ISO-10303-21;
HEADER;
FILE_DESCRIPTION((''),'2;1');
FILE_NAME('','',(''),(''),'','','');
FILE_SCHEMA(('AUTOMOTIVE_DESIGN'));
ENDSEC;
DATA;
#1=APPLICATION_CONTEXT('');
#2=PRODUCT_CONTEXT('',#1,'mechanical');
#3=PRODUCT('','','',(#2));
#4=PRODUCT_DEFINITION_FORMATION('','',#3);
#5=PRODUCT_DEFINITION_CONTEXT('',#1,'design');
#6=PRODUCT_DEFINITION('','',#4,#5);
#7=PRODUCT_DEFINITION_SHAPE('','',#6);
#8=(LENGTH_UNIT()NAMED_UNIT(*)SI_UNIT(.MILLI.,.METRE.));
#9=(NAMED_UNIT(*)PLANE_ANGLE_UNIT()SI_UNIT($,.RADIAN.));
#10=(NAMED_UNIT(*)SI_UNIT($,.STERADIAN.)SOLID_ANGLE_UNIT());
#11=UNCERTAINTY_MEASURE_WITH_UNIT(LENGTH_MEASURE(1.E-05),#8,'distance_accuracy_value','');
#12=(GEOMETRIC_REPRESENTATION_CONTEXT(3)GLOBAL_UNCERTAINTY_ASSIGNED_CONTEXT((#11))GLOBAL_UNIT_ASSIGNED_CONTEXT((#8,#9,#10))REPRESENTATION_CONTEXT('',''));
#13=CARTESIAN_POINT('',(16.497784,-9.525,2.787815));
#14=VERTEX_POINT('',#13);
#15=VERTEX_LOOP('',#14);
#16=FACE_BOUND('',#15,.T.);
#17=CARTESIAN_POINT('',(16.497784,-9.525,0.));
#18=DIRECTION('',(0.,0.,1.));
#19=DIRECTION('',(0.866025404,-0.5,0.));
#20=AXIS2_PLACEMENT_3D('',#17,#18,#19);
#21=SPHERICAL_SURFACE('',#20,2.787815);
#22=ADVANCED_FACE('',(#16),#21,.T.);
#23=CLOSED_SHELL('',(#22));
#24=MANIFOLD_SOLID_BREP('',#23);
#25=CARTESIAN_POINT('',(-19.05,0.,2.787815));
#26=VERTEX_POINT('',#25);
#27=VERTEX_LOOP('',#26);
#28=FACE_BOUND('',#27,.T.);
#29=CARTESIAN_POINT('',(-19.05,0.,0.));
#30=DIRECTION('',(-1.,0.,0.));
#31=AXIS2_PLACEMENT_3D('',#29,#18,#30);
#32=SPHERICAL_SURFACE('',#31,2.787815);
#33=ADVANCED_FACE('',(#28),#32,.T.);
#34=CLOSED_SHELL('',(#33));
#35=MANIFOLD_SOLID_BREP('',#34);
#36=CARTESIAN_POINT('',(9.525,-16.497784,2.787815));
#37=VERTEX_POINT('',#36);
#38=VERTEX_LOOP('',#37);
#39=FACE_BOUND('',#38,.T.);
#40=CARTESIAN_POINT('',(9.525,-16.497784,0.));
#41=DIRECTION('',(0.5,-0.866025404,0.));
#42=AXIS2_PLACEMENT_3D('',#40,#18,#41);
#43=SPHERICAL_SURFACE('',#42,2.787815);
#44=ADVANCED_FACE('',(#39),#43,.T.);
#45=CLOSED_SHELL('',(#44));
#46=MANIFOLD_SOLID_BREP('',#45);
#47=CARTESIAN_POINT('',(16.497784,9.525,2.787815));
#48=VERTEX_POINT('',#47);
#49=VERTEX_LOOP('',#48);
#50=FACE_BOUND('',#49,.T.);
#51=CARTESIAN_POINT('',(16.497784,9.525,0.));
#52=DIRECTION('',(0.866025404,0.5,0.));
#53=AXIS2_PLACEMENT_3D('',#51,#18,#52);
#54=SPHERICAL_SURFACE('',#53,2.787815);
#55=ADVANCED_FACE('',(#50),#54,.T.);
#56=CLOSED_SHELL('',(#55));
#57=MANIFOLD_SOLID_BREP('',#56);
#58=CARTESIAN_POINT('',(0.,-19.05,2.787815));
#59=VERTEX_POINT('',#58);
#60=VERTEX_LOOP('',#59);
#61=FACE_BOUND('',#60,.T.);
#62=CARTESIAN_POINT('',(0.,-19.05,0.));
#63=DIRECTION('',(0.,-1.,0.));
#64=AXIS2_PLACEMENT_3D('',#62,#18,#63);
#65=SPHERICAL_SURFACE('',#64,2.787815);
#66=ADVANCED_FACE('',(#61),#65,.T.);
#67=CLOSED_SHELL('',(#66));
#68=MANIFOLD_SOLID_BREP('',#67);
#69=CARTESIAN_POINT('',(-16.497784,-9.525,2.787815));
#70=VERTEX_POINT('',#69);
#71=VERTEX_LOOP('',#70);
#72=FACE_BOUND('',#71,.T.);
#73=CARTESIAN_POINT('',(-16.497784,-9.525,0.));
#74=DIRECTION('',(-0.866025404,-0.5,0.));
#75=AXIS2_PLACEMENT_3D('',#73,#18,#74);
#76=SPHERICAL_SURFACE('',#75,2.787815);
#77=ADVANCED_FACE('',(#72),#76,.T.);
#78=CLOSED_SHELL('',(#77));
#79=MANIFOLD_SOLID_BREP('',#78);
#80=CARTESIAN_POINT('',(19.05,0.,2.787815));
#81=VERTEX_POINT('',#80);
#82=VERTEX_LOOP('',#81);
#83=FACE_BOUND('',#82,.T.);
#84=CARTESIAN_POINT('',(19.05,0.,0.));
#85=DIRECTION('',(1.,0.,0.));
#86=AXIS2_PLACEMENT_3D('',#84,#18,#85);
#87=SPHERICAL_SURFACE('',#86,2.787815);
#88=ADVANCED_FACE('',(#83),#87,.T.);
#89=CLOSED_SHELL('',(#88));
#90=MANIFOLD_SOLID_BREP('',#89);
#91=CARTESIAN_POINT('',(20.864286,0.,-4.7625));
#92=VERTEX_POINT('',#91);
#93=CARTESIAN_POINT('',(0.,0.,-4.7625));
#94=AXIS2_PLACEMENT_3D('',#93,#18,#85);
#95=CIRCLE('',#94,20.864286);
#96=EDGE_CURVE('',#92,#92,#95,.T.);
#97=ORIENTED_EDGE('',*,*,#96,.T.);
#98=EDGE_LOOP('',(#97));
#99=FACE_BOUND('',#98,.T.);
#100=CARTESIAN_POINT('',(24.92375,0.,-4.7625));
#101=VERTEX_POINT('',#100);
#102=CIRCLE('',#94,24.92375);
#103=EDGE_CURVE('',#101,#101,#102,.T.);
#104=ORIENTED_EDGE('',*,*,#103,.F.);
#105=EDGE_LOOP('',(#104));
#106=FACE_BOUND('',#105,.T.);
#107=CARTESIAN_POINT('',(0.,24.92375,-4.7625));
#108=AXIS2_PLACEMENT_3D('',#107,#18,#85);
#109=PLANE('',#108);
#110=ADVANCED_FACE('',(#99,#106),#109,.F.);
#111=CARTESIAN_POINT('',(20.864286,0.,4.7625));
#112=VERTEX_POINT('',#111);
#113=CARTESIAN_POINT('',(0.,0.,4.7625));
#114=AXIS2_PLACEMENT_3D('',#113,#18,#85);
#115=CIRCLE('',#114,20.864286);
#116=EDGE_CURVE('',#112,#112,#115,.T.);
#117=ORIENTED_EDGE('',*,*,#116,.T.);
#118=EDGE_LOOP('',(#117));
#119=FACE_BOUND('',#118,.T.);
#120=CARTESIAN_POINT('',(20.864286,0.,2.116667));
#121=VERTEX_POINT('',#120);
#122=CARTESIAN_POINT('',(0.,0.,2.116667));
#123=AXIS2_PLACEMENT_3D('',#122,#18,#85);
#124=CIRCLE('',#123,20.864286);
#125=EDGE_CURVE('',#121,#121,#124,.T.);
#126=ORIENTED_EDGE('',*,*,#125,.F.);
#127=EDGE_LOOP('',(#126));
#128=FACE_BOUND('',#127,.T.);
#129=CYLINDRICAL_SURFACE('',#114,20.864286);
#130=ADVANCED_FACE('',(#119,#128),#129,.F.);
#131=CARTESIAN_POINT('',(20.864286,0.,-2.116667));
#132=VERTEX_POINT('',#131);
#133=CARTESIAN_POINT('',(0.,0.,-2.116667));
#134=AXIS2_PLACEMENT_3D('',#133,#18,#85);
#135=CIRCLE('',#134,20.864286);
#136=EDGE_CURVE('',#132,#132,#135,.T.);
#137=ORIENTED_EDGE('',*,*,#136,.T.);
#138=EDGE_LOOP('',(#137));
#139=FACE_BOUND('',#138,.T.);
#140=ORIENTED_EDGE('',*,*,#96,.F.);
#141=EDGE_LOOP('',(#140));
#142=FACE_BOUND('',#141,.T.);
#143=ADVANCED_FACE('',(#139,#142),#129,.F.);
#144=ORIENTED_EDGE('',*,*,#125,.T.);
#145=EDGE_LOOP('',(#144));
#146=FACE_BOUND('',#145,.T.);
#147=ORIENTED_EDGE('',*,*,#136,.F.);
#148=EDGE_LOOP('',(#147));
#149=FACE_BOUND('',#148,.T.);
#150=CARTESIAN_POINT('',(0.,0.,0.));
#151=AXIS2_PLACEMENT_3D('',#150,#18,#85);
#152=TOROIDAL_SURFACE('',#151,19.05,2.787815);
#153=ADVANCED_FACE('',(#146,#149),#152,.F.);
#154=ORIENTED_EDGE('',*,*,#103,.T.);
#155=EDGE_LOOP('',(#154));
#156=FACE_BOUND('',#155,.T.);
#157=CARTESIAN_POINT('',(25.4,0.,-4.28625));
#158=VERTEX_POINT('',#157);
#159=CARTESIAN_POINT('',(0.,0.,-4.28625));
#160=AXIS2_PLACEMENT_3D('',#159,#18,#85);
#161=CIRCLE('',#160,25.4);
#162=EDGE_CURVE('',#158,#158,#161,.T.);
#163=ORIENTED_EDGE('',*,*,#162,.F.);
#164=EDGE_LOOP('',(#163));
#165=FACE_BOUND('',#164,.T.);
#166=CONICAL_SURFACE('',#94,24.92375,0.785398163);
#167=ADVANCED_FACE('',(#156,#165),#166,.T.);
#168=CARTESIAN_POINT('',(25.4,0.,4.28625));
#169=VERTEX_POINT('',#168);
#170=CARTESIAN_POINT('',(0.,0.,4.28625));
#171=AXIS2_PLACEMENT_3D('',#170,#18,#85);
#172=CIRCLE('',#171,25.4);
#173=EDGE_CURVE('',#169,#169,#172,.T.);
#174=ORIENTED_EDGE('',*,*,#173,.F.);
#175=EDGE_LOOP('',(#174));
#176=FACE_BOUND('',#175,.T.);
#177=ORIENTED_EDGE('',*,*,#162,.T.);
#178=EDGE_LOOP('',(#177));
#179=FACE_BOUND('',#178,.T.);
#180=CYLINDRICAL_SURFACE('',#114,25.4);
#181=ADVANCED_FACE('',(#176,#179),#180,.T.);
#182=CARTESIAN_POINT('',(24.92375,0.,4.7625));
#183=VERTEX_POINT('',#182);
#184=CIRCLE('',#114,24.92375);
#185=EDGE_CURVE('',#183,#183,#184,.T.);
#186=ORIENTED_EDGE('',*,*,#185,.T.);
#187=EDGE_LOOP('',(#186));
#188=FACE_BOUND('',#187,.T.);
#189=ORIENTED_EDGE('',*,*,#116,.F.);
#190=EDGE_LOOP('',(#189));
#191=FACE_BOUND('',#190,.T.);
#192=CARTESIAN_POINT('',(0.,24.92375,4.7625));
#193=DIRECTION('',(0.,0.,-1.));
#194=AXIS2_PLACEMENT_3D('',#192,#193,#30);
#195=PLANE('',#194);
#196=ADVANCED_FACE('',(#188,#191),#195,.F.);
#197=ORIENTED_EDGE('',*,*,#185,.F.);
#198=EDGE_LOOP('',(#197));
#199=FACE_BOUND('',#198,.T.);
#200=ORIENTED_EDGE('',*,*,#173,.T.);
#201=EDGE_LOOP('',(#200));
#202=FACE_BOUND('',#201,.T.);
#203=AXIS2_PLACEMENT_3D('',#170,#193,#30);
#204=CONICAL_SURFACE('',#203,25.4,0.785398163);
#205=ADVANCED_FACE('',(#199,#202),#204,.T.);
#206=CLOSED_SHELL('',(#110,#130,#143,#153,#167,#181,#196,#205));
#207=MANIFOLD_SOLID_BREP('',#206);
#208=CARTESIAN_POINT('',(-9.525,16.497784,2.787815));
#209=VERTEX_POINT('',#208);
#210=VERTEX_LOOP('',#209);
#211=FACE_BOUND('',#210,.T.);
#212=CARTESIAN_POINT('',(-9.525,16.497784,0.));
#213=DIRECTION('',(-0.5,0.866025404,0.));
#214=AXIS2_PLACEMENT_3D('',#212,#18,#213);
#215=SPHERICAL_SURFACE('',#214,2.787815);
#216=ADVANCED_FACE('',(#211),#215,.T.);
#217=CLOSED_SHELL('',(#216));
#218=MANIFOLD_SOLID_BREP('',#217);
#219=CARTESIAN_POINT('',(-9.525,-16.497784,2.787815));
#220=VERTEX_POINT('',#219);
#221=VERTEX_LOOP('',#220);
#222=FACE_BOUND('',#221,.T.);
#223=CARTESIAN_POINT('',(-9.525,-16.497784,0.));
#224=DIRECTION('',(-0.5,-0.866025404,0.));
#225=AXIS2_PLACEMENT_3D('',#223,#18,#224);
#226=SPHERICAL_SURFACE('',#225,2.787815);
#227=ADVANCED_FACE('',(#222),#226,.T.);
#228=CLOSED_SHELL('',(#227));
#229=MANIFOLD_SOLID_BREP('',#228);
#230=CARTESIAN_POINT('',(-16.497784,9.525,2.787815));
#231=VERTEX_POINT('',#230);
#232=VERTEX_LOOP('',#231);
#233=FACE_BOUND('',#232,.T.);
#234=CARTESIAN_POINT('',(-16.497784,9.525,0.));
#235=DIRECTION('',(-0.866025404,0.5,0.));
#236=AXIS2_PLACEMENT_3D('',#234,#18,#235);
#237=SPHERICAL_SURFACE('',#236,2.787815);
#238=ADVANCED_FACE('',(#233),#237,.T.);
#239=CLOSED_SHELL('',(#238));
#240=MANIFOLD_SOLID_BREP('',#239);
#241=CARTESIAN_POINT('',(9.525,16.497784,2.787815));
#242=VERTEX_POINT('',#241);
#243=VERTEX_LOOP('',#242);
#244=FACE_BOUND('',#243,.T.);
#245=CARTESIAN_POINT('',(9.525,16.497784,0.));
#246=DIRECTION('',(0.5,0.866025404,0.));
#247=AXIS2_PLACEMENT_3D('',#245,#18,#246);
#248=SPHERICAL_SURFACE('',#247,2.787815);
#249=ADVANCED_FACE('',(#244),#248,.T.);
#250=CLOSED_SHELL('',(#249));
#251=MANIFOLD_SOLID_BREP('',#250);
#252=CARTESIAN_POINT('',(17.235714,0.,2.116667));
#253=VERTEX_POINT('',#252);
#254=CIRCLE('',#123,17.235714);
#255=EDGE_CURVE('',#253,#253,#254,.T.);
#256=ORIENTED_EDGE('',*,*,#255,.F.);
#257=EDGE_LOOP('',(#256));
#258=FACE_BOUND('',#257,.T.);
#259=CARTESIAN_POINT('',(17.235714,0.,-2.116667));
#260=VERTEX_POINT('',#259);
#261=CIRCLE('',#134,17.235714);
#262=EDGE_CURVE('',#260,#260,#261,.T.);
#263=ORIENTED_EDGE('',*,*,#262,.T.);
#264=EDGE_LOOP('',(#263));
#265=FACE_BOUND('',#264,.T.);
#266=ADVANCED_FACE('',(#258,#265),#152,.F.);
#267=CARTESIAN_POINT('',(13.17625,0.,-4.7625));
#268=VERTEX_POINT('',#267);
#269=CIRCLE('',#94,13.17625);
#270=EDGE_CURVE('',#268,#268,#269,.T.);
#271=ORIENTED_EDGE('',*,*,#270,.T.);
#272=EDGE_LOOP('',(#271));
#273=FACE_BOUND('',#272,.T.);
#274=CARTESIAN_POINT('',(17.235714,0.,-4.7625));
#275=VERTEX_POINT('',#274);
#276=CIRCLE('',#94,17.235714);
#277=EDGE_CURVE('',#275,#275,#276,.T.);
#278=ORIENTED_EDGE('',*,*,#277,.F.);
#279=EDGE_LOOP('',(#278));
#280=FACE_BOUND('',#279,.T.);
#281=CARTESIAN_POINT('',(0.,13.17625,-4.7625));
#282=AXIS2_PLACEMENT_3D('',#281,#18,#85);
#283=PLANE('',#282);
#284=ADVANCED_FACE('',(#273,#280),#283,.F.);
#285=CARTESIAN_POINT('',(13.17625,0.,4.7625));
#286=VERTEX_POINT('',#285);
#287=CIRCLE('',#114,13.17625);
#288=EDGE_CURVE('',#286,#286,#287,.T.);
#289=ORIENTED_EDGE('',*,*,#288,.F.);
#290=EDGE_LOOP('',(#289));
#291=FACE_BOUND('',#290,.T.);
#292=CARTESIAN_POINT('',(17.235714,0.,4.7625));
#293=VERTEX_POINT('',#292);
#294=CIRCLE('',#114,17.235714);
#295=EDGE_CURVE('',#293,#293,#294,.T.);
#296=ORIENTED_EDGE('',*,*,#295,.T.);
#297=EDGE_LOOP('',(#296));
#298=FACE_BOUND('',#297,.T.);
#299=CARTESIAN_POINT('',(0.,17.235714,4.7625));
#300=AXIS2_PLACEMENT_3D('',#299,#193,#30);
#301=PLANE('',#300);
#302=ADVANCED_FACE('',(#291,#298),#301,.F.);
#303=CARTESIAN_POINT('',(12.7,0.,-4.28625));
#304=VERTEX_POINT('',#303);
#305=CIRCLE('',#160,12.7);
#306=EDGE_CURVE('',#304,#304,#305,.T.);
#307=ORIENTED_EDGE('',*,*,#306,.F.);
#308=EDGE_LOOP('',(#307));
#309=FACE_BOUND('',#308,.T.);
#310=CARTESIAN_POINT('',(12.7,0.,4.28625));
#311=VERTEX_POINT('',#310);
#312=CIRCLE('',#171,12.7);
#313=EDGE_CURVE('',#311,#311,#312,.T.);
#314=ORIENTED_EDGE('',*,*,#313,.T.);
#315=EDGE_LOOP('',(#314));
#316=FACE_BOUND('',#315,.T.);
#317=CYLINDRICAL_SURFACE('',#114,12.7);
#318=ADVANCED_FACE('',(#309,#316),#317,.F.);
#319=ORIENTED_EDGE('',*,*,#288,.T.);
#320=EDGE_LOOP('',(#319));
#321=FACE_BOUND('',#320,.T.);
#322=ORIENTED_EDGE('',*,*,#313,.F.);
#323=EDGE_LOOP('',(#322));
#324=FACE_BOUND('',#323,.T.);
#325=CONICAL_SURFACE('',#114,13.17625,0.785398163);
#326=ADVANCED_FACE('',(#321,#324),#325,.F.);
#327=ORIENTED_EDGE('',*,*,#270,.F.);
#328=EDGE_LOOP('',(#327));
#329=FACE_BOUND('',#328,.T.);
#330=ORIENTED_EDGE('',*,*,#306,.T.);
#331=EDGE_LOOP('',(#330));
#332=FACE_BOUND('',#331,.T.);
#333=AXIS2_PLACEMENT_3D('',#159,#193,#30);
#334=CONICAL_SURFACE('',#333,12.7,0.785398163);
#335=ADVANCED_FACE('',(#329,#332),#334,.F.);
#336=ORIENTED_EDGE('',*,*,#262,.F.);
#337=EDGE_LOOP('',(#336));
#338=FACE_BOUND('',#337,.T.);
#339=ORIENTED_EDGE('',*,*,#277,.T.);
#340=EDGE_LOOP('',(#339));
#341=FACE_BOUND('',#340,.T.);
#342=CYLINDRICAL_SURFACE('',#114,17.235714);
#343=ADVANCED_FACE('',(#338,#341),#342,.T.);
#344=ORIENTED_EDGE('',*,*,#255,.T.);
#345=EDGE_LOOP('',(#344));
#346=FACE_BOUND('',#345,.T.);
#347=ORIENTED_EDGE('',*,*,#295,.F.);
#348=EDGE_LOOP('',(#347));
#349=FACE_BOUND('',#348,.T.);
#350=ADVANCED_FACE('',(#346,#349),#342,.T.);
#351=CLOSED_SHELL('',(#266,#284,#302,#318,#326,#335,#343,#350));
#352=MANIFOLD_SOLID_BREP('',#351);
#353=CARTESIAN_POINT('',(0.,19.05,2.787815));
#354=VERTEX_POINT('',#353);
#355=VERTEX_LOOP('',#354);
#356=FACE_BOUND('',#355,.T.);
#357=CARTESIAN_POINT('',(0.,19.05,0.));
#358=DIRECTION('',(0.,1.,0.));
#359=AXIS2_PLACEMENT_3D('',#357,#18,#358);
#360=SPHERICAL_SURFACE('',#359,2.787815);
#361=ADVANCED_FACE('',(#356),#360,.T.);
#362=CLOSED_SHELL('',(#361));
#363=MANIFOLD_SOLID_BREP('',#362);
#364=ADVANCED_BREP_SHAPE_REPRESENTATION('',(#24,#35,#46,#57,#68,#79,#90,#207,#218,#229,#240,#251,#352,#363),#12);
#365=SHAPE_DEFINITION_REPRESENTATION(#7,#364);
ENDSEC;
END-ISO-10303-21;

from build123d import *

# Parameters (mm, degrees)
CIRPATTERN1_COUNT = 12


with BuildPart() as part:
    # Sketch1 → Revolve1 (revolve)
    with BuildSketch(Plane(origin=(0, 0, 0), x_dir=(0, 0, -1), z_dir=(1, 0, 0))):
        with BuildLine():
            Line((4.28625, 25.4), (-4.28625, 25.4))
            Line((-4.28625, 25.4), (-4.7625, 24.92375))
            Line((-4.7625, 24.92375), (-4.7625, 20.864285714))
            Line((-4.7625, 20.864285714), (-2.116666667, 20.864285714))
            ThreePointArc((-2.116666667, 20.864285714), (0, 21.837814634), (2.116666667, 20.864285714))
            Line((2.116666667, 20.864285714), (4.7625, 20.864285714))
            Line((4.7625, 20.864285714), (4.7625, 24.92375))
            Line((4.7625, 24.92375), (4.28625, 25.4))
        make_face()
    revolve(axis=Axis((0, 0, 4.7625), (0, 0, -1)))


with BuildPart() as body_2:
    # Sketch3 → Revolve3 (revolve)
    with BuildSketch(Plane(origin=(0, 0, 0), x_dir=(0, 0, -1), z_dir=(1, 0, 0))):
        with BuildLine():
            Line((-4.7625, 17.235714286), (-2.116666667, 17.235714286))
            ThreePointArc((-2.116666667, 17.235714286), (0, 16.262185366), (2.116666667, 17.235714286))
            Line((2.116666667, 17.235714286), (4.7625, 17.235714286))
            Line((4.7625, 17.235714286), (4.7625, 13.17625))
            Line((4.7625, 13.17625), (4.28625, 12.7))
            Line((4.28625, 12.7), (-4.28625, 12.7))
            Line((-4.28625, 12.7), (-4.7625, 13.17625))
            Line((-4.7625, 13.17625), (-4.7625, 17.235714286))
        make_face()
    revolve(axis=Axis((0, 0, 4.7625), (0, 0, -1)))


with BuildPart() as body_3:
    # Sketch4 → Revolve4 (revolve)
    with BuildSketch(Plane(origin=(0, 0, 0), x_dir=(0, 0, -1), z_dir=(1, 0, 0))):
        with BuildLine():
            Line((-2.787814634, 19.05), (2.787814634, 19.05))
            ThreePointArc((2.787814634, 19.05), (0, 21.837814634), (-2.787814634, 19.05))
        make_face()
    revolve(axis=Axis((0, 19.05, 2.787814634), (0, 0, -1)))


with BuildPart() as cirpattern1_1:
    # CirPattern1: pattern copy
    add(body_3.part.rotate(Axis((0, 0, -4.7625), (0, 0, 1)), 1 * 360 / CIRPATTERN1_COUNT))


with BuildPart() as cirpattern1_2:
    # CirPattern1: pattern copy
    add(body_3.part.rotate(Axis((0, 0, -4.7625), (0, 0, 1)), 2 * 360 / CIRPATTERN1_COUNT))


with BuildPart() as cirpattern1_3:
    # CirPattern1: pattern copy
    add(body_3.part.rotate(Axis((0, 0, -4.7625), (0, 0, 1)), 3 * 360 / CIRPATTERN1_COUNT))


with BuildPart() as cirpattern1_4:
    # CirPattern1: pattern copy
    add(body_3.part.rotate(Axis((0, 0, -4.7625), (0, 0, 1)), 4 * 360 / CIRPATTERN1_COUNT))


with BuildPart() as cirpattern1_5:
    # CirPattern1: pattern copy
    add(body_3.part.rotate(Axis((0, 0, -4.7625), (0, 0, 1)), 5 * 360 / CIRPATTERN1_COUNT))


with BuildPart() as cirpattern1_6:
    # CirPattern1: pattern copy
    add(body_3.part.rotate(Axis((0, 0, -4.7625), (0, 0, 1)), 6 * 360 / CIRPATTERN1_COUNT))


with BuildPart() as cirpattern1_7:
    # CirPattern1: pattern copy
    add(body_3.part.rotate(Axis((0, 0, -4.7625), (0, 0, 1)), 7 * 360 / CIRPATTERN1_COUNT))


with BuildPart() as cirpattern1_8:
    # CirPattern1: pattern copy
    add(body_3.part.rotate(Axis((0, 0, -4.7625), (0, 0, 1)), 8 * 360 / CIRPATTERN1_COUNT))


with BuildPart() as cirpattern1_9:
    # CirPattern1: pattern copy
    add(body_3.part.rotate(Axis((0, 0, -4.7625), (0, 0, 1)), 9 * 360 / CIRPATTERN1_COUNT))


with BuildPart() as cirpattern1_10:
    # CirPattern1: pattern copy
    add(body_3.part.rotate(Axis((0, 0, -4.7625), (0, 0, 1)), 10 * 360 / CIRPATTERN1_COUNT))


with BuildPart() as cirpattern1_11:
    # CirPattern1: pattern copy
    add(body_3.part.rotate(Axis((0, 0, -4.7625), (0, 0, 1)), 11 * 360 / CIRPATTERN1_COUNT))


solid = Compound([part.part, body_2.part, body_3.part, cirpattern1_1.part, cirpattern1_2.part, cirpattern1_3.part, cirpattern1_4.part, cirpattern1_5.part, cirpattern1_6.part, cirpattern1_7.part, cirpattern1_8.part, cirpattern1_9.part, cirpattern1_10.part, cirpattern1_11.part])
